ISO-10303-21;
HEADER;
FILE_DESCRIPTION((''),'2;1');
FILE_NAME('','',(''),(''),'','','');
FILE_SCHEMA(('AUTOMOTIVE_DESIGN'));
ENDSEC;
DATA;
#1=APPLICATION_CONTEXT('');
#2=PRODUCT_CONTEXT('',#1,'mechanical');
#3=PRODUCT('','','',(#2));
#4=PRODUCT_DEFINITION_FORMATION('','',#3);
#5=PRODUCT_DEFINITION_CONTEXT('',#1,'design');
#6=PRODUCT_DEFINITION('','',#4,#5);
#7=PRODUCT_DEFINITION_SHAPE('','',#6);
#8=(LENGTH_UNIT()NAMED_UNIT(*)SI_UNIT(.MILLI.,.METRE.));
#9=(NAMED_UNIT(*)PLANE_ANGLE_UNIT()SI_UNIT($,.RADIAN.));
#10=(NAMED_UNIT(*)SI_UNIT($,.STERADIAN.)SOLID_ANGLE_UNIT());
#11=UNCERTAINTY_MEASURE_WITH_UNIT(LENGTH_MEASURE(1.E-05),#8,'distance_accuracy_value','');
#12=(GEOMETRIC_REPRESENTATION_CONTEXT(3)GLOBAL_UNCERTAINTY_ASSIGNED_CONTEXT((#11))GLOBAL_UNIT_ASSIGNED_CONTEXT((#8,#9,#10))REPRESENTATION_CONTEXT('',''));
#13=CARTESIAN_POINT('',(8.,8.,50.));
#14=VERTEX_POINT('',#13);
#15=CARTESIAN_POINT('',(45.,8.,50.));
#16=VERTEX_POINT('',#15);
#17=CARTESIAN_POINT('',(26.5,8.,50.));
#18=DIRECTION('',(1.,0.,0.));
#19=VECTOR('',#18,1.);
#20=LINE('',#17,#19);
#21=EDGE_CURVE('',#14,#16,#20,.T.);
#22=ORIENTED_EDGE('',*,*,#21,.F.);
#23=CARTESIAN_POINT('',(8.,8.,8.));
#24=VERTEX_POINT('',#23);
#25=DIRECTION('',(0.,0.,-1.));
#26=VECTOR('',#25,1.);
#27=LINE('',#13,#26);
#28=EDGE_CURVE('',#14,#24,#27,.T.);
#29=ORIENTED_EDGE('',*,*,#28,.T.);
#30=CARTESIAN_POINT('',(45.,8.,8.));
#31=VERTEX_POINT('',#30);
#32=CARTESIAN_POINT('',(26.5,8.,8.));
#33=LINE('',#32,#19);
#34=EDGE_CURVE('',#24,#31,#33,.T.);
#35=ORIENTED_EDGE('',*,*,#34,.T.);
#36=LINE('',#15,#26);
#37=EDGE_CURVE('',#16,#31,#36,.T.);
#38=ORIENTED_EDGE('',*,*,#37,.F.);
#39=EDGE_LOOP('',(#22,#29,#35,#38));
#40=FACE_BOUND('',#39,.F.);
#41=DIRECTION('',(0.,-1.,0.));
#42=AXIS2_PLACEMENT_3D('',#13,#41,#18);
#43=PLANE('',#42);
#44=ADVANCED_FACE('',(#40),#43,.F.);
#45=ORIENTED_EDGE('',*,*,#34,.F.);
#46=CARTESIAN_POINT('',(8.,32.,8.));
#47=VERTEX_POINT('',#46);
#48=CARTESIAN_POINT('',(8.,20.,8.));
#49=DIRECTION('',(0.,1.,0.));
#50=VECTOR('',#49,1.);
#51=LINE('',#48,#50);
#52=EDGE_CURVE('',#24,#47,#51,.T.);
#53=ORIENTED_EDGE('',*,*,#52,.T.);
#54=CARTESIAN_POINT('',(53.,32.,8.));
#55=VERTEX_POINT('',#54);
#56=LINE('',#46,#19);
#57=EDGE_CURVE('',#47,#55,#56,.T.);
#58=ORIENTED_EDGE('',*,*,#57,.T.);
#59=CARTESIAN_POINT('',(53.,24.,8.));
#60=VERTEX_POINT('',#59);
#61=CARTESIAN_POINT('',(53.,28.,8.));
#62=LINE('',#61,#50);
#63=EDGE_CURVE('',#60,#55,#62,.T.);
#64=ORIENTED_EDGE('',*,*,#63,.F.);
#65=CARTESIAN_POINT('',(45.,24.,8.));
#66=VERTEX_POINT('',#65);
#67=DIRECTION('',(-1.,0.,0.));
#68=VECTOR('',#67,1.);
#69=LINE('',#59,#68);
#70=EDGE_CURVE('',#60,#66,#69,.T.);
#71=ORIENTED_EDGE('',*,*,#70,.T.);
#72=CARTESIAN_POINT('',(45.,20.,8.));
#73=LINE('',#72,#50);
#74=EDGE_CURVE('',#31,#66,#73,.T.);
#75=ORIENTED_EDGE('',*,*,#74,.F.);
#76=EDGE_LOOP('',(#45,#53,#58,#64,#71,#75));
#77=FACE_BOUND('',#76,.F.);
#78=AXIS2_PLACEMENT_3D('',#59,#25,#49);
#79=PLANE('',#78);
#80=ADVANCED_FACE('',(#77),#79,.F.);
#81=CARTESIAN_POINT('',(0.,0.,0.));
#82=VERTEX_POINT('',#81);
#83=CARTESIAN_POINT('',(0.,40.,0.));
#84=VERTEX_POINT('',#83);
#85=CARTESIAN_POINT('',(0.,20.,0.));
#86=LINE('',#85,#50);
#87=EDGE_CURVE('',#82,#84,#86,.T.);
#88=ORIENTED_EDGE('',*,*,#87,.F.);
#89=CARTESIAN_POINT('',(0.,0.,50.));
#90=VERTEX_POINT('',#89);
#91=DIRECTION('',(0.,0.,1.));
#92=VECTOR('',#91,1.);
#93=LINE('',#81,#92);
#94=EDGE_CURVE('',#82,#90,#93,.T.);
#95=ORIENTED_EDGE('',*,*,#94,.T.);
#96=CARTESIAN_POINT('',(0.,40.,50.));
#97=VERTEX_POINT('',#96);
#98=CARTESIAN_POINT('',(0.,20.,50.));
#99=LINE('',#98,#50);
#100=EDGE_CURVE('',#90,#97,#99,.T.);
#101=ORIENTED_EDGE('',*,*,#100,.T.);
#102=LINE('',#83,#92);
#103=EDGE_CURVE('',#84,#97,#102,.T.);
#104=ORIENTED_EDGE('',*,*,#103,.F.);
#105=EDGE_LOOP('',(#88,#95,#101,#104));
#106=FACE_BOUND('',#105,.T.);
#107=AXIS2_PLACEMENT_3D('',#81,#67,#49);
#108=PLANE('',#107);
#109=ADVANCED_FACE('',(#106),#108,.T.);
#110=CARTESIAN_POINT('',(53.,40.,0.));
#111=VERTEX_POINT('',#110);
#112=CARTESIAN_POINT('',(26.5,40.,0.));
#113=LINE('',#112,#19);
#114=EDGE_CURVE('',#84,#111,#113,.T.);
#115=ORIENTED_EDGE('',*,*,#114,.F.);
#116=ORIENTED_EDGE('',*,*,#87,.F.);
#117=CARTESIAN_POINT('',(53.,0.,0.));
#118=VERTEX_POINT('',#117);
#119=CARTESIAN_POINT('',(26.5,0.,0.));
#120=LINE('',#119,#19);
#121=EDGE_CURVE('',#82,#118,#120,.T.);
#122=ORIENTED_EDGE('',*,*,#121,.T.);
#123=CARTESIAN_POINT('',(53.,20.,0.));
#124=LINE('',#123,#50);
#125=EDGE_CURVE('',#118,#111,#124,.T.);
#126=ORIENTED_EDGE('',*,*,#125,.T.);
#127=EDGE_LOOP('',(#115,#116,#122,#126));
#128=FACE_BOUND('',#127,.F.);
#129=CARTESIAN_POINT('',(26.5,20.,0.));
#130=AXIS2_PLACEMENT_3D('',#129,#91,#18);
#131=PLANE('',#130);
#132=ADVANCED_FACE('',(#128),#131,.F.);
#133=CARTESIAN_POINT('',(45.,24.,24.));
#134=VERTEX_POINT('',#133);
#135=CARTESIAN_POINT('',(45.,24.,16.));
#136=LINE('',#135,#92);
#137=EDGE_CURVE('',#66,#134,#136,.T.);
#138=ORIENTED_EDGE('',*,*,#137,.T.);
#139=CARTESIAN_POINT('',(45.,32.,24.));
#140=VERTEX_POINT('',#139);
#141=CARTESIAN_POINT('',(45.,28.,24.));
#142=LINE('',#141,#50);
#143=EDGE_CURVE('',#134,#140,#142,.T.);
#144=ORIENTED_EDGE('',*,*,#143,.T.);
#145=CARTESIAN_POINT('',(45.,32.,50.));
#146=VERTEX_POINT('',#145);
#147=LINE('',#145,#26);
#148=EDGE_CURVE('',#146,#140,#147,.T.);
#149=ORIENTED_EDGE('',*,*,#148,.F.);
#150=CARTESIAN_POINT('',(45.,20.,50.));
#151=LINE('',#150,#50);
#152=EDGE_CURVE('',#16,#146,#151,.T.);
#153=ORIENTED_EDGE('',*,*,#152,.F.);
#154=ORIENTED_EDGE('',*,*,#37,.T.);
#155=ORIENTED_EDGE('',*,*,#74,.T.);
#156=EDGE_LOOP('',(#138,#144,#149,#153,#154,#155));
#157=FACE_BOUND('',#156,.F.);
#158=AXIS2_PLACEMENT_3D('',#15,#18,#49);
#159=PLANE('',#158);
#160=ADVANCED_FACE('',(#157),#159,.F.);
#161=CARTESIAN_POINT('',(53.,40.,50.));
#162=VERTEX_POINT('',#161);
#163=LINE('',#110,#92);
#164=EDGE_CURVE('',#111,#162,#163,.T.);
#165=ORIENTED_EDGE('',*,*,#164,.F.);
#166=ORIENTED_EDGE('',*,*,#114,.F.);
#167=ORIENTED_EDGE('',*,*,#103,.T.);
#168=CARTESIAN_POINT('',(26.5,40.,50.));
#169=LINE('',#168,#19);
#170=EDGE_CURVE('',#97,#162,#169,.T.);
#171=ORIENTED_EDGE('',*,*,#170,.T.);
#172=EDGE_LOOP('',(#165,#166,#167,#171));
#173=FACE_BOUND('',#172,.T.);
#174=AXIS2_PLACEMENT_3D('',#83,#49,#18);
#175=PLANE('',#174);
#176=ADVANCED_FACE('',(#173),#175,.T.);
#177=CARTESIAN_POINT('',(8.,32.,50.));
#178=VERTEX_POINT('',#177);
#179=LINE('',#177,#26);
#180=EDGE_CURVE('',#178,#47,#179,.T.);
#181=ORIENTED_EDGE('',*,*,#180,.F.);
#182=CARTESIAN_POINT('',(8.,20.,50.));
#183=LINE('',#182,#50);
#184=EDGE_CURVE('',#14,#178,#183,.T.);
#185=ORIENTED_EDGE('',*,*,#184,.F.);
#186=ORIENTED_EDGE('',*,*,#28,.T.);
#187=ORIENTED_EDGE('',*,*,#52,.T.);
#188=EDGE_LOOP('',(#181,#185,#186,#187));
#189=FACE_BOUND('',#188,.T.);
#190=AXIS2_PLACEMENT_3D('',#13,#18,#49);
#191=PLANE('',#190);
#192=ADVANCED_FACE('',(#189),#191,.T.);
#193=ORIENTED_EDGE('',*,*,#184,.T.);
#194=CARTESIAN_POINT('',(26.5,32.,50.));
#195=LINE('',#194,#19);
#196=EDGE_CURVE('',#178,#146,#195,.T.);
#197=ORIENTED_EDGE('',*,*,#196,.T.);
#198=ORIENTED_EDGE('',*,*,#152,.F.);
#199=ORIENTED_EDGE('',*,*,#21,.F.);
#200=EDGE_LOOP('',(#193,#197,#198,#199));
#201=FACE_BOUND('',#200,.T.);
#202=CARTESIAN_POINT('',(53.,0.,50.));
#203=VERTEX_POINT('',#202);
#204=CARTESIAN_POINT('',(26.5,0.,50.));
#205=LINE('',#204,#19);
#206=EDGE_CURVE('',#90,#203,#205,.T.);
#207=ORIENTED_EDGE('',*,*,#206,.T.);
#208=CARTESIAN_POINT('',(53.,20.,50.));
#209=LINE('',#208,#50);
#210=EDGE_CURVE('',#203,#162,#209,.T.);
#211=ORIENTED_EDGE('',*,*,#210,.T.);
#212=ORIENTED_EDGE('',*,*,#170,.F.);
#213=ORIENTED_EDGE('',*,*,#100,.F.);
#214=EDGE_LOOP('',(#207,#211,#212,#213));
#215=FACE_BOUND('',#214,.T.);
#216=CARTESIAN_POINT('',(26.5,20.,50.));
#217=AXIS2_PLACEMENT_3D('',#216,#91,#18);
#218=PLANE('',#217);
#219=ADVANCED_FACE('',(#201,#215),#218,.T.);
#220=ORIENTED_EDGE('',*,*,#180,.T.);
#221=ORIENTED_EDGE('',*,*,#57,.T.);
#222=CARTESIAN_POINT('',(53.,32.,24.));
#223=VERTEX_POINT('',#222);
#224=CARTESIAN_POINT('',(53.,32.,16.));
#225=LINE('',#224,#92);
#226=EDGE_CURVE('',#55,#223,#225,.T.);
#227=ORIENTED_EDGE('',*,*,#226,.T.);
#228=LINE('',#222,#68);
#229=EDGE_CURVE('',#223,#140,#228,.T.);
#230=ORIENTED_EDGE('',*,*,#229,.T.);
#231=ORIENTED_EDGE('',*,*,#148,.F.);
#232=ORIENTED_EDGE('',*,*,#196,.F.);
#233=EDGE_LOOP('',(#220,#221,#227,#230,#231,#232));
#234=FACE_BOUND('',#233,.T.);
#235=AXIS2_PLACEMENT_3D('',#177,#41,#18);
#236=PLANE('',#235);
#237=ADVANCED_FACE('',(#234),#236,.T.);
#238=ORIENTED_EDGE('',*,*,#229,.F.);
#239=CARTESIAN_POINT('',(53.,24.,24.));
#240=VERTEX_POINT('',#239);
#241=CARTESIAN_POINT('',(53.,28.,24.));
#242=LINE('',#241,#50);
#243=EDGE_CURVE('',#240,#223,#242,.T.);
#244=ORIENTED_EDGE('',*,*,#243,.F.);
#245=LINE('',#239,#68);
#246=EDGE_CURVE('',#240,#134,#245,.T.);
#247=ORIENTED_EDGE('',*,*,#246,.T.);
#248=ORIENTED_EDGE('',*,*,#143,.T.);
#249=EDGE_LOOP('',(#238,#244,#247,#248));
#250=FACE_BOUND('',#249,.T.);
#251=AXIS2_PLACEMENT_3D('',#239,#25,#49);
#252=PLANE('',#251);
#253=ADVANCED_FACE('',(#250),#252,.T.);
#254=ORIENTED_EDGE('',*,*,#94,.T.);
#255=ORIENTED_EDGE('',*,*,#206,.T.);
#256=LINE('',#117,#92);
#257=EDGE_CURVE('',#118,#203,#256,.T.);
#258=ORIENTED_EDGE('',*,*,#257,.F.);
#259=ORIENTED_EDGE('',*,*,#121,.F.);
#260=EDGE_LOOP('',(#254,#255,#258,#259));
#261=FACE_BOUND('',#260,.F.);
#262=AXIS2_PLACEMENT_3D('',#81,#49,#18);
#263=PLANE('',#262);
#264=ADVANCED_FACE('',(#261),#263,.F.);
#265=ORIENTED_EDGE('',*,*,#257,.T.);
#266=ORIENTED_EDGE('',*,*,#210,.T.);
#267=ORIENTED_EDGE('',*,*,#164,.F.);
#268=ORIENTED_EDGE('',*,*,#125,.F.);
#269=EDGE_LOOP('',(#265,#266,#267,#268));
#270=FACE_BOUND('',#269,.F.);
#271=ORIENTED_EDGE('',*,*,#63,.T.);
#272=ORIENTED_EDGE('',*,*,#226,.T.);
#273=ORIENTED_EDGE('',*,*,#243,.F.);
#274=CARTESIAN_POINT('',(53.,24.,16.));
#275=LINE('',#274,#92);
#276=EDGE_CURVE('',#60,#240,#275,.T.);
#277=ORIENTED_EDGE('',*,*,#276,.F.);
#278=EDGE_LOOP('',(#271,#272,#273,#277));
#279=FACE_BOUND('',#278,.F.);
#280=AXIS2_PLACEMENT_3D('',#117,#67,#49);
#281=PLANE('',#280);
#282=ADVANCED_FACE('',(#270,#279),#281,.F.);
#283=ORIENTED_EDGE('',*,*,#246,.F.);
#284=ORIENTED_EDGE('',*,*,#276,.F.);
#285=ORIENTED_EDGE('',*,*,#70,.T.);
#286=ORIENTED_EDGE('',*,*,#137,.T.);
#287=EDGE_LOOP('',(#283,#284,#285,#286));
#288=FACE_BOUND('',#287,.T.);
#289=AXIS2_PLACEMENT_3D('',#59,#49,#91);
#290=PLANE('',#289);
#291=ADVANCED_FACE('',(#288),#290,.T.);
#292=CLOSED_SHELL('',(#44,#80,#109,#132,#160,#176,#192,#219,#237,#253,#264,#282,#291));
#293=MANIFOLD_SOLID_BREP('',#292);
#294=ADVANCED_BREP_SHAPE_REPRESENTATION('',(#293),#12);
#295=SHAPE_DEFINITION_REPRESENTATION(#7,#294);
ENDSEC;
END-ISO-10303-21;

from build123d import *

# Parameters (mm, degrees)
F0_W     = 53
F0_H     = 40
F1_DEPTH = 50
F2_W     = 37
F2_H     = 24
F3_DEPTH = 42
F4_W     = 8
F4_H     = 16
F5_DEPTH = 8


with BuildPart() as f1:
    # F0 (on Top) → F1 (new body)
    with BuildSketch(Plane.XY):
        with Locations((26.5, 20)):
            Rectangle(F0_W, F0_H)
    extrude(amount=F1_DEPTH)

    # F2 (on face) → F3 (cut)
    with BuildSketch(Plane.XY.offset(50)):
        with Locations((26.5, 20)):
            Rectangle(F2_W, F2_H)
    extrude(amount=-F3_DEPTH, mode=Mode.SUBTRACT)

    # F4 (on face) → F5 (cut, through all)
    with BuildSketch(Plane.YZ.offset(53)):
        with Locations((28, 16)):
            Rectangle(F4_W, F4_H)
    extrude(amount=-F5_DEPTH, mode=Mode.SUBTRACT)


solid = f1.part
